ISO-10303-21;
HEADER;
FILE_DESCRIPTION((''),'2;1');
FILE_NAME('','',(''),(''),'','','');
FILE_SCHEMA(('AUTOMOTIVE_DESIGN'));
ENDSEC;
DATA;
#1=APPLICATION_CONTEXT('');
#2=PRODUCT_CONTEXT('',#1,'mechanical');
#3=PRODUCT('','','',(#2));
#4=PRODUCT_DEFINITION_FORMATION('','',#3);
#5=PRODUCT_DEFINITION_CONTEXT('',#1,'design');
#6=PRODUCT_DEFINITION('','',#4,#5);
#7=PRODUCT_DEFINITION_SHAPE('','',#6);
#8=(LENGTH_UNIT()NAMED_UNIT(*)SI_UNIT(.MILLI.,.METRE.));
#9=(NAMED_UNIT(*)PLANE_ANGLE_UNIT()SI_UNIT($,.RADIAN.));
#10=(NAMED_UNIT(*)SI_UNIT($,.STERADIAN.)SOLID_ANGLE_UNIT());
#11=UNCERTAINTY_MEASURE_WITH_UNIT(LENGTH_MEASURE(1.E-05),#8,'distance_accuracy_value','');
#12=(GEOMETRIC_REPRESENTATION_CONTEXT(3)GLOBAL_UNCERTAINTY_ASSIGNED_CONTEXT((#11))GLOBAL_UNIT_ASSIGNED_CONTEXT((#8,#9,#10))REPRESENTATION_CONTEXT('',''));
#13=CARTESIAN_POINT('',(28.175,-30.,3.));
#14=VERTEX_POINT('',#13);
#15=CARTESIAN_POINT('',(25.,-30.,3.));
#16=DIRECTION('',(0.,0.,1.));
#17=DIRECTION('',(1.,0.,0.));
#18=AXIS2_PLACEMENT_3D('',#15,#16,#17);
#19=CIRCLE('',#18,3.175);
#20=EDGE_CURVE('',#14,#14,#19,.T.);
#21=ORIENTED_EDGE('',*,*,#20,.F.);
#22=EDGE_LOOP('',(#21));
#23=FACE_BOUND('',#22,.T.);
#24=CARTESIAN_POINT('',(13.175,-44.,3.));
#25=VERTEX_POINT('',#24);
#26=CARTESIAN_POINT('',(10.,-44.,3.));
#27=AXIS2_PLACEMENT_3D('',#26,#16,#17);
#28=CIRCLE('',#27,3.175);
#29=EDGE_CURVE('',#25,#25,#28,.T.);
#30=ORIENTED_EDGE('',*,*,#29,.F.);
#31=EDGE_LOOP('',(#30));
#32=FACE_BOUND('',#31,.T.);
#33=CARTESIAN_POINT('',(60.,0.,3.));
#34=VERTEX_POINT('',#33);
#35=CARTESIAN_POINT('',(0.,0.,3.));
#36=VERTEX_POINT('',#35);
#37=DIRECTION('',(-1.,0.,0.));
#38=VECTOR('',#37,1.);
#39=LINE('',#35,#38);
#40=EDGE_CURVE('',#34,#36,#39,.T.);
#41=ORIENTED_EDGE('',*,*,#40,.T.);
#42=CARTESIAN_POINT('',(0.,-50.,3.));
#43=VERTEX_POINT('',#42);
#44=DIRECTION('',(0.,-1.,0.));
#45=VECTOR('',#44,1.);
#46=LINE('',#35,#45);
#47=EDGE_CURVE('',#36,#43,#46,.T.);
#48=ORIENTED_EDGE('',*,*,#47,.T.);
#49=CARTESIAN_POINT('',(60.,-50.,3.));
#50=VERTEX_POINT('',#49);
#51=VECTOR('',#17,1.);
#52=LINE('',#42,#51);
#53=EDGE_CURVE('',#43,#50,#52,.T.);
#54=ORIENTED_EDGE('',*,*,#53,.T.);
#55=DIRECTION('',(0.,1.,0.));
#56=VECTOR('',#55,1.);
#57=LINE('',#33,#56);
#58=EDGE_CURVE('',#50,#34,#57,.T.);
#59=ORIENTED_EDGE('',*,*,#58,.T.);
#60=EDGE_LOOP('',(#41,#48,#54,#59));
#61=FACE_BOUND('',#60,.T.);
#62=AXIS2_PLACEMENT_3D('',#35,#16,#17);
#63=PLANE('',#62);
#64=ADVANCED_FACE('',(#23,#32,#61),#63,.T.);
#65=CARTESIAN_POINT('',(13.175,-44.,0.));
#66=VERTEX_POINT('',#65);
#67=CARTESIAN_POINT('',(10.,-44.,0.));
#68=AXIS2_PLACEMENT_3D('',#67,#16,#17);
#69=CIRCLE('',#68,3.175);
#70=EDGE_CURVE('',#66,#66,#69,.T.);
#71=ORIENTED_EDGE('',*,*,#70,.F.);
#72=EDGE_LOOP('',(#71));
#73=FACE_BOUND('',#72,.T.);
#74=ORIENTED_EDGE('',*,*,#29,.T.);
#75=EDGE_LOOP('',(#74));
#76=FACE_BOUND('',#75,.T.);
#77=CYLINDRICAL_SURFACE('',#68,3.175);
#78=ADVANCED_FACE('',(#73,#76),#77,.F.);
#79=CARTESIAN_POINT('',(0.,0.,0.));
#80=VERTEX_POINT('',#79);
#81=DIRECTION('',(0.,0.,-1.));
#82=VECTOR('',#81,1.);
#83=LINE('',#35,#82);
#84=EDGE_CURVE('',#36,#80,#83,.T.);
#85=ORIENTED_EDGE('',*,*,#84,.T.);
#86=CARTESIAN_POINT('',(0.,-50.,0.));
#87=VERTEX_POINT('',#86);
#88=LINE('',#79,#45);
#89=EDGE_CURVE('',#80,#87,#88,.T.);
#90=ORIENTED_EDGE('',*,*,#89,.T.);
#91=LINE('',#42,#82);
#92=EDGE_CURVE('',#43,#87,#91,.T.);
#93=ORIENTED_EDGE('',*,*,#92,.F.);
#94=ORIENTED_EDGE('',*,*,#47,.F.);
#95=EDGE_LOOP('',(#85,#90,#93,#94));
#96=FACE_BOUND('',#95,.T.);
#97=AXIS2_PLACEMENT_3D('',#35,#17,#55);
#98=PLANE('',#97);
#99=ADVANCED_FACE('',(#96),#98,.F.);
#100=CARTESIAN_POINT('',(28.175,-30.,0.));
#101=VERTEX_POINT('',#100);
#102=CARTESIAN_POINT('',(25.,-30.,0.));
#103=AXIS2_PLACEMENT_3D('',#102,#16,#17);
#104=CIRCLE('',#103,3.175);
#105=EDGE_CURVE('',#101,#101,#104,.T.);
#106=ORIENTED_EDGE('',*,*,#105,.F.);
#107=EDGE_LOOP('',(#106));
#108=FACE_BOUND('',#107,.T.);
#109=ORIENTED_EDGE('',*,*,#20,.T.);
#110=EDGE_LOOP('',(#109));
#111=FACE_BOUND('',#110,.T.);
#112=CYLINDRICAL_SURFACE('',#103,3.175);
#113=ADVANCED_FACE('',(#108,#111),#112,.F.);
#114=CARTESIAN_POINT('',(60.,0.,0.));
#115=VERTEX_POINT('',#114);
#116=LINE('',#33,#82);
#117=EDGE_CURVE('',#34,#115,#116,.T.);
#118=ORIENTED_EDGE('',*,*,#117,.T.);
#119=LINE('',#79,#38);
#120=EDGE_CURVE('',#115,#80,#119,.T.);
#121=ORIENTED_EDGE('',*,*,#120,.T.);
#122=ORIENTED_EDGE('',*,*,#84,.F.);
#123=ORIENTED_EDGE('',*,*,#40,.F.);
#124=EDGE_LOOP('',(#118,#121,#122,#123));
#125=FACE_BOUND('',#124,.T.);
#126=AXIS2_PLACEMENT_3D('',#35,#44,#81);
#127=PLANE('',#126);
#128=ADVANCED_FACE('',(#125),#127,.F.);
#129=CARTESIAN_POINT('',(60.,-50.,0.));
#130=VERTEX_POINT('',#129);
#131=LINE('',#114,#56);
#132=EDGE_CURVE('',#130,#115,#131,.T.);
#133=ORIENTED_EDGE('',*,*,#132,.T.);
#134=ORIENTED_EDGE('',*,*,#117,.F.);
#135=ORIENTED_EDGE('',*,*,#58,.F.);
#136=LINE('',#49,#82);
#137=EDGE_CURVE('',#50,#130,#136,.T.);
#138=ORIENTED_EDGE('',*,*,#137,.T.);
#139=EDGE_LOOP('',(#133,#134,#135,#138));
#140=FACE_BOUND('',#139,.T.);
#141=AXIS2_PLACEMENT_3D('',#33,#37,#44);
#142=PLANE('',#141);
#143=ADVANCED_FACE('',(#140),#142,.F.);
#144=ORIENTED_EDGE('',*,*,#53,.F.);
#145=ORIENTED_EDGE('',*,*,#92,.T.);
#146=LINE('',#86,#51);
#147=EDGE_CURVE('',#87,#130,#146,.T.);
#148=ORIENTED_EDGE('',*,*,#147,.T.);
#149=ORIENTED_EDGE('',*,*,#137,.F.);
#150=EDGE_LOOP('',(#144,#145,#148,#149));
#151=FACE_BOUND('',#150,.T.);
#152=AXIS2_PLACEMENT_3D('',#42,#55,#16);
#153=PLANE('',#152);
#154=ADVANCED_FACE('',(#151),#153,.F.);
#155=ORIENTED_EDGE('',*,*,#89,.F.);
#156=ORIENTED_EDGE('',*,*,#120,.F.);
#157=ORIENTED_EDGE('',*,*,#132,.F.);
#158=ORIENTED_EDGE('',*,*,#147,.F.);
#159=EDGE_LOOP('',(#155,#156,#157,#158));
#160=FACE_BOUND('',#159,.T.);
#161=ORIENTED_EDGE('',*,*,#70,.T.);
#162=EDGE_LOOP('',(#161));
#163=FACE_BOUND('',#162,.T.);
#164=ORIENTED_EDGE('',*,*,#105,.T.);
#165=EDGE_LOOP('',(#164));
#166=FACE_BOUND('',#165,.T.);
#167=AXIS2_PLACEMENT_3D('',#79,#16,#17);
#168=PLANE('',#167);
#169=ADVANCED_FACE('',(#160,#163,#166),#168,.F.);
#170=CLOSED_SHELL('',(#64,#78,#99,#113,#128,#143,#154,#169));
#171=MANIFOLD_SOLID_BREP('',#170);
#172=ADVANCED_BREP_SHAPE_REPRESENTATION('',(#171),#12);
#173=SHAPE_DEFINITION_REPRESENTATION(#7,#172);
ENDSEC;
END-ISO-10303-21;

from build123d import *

# Parameters (mm, degrees)
SKETCH1_W           = 60
SKETCH1_H           = 50
BOSS_EXTRUDE1_DEPTH = 3
SKETCH2_R           = 3.175
CUT_EXTRUDE1_DEPTH  = 4


with BuildPart() as part:
    # Sketch1 → Boss-Extrude1 (new body)
    with BuildSketch(Plane.XY):
        with Locations((30, -25)):
            Rectangle(SKETCH1_W, SKETCH1_H)
    extrude(amount=BOSS_EXTRUDE1_DEPTH)

    # Sketch2 → Cut-Extrude1 (cut, through all)
    with BuildSketch(Plane.XY.offset(3)):
        with Locations((25, -30)):
            Circle(SKETCH2_R)
        with Locations((10, -44)):
            Circle(SKETCH2_R)
    extrude(amount=-CUT_EXTRUDE1_DEPTH, mode=Mode.SUBTRACT)


solid = part.part
